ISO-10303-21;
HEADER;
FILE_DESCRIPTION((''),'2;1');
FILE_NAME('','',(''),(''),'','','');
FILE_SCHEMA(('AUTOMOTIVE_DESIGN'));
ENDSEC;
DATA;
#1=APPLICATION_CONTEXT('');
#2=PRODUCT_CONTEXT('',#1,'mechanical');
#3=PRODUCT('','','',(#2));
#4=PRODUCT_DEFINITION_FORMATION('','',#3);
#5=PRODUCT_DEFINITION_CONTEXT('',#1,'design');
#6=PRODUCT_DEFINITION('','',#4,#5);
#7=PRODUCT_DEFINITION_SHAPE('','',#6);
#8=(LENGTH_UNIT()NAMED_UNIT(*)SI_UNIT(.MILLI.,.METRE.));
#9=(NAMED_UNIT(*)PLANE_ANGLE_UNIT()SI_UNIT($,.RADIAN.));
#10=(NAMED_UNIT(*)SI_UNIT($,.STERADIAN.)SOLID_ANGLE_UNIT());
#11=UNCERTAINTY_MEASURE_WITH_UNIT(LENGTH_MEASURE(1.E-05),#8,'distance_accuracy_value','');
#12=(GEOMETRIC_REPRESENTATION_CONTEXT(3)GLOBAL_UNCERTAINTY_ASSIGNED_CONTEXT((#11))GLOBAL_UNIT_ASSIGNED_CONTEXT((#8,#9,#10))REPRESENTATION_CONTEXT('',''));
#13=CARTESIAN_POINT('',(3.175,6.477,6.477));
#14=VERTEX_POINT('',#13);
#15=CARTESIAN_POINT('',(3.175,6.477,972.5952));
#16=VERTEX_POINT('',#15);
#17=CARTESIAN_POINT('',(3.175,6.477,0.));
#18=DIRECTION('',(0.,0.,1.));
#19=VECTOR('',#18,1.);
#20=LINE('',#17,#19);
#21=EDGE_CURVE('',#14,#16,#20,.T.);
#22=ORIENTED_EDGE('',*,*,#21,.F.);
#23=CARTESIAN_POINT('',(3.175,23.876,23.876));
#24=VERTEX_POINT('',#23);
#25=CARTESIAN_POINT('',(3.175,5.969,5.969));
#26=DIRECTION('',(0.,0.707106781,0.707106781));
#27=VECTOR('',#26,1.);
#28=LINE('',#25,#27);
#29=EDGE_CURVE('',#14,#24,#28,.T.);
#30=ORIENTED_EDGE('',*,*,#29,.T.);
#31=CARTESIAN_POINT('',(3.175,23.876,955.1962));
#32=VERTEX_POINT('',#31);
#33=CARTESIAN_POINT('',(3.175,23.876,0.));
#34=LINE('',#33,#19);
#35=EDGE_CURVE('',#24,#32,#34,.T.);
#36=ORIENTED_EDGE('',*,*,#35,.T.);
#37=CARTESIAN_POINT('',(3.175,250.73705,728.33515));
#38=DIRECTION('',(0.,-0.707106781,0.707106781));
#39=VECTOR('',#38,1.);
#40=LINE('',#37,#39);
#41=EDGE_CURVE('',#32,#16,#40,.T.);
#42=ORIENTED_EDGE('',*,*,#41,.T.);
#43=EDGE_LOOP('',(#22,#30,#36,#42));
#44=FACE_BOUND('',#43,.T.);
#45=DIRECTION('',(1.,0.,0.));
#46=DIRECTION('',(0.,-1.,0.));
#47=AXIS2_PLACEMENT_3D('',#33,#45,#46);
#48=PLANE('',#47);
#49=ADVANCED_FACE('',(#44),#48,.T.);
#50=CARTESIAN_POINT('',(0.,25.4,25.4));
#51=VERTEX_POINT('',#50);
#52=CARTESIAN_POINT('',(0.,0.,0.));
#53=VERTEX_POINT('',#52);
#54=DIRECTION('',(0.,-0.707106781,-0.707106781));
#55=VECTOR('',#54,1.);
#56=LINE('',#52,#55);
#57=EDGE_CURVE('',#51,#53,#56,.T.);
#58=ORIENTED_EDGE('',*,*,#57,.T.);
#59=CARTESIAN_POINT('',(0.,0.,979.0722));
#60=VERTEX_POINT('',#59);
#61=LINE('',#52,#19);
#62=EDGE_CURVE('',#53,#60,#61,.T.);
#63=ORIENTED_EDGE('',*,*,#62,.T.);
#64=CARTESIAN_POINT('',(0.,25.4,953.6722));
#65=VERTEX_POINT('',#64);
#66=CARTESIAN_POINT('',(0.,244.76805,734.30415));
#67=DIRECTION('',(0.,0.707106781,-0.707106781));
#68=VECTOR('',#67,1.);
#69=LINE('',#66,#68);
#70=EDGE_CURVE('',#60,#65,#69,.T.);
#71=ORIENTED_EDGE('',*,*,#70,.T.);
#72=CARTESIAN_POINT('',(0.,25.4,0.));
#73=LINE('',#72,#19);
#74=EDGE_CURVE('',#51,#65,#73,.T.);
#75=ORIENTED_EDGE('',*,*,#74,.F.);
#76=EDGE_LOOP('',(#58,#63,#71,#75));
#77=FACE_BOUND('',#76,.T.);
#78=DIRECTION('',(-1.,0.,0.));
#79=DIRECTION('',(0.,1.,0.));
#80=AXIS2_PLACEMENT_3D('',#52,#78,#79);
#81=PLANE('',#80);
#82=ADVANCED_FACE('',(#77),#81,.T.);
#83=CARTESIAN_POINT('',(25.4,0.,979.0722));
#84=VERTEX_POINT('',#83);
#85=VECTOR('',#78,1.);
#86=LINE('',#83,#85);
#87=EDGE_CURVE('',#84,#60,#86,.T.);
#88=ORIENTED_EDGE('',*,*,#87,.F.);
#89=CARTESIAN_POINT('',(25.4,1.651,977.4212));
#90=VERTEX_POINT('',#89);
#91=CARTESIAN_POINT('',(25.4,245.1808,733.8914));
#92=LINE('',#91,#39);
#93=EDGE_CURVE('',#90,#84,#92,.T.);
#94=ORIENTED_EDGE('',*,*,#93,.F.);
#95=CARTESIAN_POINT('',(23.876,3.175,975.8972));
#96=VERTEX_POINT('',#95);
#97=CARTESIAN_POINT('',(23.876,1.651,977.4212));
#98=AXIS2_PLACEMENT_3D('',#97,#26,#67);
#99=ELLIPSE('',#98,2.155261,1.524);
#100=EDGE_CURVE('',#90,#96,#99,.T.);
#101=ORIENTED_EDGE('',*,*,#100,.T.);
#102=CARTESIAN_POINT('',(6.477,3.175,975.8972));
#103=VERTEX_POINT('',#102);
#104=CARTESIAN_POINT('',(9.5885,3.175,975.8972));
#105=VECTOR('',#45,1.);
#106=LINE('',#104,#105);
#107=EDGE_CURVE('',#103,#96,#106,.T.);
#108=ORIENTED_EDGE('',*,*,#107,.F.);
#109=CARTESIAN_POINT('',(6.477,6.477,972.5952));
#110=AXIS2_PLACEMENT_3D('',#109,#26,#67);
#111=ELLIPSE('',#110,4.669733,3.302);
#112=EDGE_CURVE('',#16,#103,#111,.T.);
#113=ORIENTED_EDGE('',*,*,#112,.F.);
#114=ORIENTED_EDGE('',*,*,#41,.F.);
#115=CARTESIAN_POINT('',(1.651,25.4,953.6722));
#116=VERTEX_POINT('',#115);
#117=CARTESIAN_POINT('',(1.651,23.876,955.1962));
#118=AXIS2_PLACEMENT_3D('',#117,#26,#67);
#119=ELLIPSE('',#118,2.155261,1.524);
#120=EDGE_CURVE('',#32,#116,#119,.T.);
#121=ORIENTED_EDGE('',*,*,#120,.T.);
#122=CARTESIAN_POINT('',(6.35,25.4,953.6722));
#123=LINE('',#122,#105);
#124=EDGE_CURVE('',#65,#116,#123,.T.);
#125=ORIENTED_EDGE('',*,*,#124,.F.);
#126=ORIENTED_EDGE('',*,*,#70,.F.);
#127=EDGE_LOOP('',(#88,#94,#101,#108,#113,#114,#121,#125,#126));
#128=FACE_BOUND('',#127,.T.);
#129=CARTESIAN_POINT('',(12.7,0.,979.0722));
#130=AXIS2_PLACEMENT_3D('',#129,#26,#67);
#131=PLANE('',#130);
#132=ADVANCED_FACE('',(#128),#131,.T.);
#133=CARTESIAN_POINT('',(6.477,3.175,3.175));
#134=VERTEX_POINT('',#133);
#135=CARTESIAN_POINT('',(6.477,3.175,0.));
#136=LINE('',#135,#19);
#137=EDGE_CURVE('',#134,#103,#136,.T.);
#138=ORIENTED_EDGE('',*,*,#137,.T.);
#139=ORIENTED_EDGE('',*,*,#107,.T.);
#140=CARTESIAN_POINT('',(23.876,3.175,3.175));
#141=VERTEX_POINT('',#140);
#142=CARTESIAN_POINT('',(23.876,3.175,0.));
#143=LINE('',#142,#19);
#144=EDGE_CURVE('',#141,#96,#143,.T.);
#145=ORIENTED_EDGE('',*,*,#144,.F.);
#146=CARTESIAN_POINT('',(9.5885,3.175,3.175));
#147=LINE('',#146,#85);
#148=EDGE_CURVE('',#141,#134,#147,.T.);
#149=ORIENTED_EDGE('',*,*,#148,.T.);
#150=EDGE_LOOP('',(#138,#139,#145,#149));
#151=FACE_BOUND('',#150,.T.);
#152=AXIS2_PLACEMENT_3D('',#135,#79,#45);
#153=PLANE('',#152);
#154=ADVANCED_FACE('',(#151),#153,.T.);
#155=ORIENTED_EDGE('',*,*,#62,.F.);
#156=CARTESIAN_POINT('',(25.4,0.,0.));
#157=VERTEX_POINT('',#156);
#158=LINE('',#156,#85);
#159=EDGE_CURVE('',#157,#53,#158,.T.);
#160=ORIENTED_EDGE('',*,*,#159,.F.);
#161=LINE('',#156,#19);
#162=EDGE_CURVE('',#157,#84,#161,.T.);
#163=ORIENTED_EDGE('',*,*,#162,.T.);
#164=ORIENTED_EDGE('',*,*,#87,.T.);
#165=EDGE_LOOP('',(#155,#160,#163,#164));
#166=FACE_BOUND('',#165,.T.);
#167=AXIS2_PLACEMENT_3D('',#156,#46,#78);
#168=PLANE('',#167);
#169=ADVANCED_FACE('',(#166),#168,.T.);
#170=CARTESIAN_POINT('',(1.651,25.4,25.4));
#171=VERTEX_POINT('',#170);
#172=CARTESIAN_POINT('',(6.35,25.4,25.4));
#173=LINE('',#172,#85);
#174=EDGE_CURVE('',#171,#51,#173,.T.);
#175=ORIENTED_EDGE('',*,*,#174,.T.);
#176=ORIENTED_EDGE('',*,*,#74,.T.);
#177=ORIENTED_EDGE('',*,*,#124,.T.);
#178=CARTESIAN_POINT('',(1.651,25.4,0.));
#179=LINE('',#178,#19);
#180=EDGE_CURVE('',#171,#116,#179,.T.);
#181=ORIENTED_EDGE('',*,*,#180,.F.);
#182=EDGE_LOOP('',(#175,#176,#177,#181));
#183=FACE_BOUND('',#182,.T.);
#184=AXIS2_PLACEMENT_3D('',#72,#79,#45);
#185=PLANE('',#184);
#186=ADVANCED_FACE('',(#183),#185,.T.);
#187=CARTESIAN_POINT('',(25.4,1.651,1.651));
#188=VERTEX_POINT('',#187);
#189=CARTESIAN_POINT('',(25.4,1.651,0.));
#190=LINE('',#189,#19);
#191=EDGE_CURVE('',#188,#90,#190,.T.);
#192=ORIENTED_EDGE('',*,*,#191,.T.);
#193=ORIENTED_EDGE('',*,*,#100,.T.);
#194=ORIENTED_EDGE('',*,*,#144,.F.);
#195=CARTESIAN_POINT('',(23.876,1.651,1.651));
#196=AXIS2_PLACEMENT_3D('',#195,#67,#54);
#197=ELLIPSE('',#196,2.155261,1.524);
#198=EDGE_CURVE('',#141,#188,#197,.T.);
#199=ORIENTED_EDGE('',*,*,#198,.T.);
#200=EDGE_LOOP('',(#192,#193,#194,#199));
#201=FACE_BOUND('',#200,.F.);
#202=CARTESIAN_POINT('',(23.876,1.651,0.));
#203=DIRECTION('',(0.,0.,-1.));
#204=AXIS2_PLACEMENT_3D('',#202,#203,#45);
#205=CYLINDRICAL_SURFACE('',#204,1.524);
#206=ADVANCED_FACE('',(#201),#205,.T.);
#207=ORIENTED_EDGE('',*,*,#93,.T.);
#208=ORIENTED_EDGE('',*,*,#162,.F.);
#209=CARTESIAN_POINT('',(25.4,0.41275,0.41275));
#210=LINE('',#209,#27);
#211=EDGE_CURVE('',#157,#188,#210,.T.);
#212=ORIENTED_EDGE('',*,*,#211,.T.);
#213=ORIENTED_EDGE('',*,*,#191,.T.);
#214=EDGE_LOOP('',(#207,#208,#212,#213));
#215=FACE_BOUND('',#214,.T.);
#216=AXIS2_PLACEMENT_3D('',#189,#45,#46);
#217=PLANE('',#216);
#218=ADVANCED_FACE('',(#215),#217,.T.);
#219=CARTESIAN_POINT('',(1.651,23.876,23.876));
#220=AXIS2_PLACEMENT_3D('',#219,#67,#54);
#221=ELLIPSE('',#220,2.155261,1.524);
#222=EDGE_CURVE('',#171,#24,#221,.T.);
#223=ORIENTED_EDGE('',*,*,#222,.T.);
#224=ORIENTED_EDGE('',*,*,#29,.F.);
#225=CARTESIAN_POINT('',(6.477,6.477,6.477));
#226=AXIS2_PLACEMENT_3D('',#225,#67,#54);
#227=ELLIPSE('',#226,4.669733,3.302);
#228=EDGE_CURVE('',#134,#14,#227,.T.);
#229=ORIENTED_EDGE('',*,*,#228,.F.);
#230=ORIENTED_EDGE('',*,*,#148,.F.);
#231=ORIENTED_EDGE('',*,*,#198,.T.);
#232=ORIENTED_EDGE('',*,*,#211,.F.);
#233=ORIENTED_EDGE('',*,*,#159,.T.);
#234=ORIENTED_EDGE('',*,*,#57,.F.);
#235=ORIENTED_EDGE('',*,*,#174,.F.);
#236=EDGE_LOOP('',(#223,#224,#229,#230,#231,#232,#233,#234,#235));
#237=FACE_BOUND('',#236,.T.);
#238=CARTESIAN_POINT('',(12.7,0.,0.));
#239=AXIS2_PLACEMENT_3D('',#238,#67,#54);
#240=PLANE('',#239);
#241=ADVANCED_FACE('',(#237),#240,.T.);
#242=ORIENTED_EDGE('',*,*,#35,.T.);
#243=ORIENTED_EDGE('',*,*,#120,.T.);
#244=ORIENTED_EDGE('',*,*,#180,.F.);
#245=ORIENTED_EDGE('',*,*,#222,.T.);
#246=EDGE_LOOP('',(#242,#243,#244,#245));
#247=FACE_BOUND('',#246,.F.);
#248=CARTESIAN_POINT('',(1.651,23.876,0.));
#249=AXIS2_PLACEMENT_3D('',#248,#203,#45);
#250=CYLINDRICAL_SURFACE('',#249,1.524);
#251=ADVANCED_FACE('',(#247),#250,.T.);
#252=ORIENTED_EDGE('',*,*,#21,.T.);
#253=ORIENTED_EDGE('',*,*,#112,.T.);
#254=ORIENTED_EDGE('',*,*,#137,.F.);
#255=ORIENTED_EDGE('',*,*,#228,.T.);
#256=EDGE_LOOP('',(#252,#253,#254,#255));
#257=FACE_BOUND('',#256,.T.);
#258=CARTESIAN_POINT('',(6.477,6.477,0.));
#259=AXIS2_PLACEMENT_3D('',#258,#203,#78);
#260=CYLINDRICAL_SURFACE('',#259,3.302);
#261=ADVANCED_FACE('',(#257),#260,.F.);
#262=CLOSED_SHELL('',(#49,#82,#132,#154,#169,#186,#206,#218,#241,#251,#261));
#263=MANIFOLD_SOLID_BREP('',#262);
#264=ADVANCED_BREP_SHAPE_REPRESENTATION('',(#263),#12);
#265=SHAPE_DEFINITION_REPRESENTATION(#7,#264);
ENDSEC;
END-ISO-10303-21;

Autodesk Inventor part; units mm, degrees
ref_plane "Start Plane" through (0, 0, 0) normal (0, 0, 1) x (1, 0, 0)
ref_plane "End Plane" through (0, 0, 979.0722) normal (0, 0, 1) x (1, 0, 0)
sketch "Sketch" plane through (0, 0, 0) normal (0, 0, 1) x (1, 0, 0)
  line L0 (25.4, 0) -> (0, 0)
  line L1 (0, 0) -> (0, 25.4)
  line L2 (0, 25.4) -> (1.651, 25.4)
  line L3 (3.175, 23.876) -> (3.175, 6.477)
  line L4 (6.477, 3.175) -> (23.876, 3.175)
  line L5 (25.4, 1.651) -> (25.4, 0)
  line L6 (0, -11.0414) -> (0, 31.5385) construction
  line L7 (-11.0414, 0) -> (31.5385, 0) construction
  arc A0 (3.175, 6.477) -> (6.477, 3.175) centre (6.477, 6.477) ccw
  arc A1 (3.175, 23.876) -> (1.651, 25.4) centre (1.651, 23.876) ccw
  arc A2 (25.4, 1.651) -> (23.876, 3.175) centre (23.876, 1.651) ccw
  line L8 (0, 40.0545) -> (0, -19.5574) construction
  line L9 (-19.5574, 0) -> (40.0545, 0) construction
  point P0 (3.175, 25.4)
  point P1 (3.175, 3.175)
  point P2 (25.4, 3.175)
  dimension "d0" = 25.4
  dimension "d1" = 25.4
  dimension "d2" = 3.175
  dimension "d3" = 3.175
  dimension "d10" = 0
  dimension "d11" = 0
  dimension "d14" = 3.302
  dimension "d15" = 1.524
extrude "Body" add sketch "Sketch" along normal up to surface (979.0722 mm away) from surface at 0
sketch "Sketch3" plane through (0, 0, 0) normal (0, 0, 1) x (1, 0, 0)
  line L0 (0, 0) -> (10, 0)
ref_plane "Work Plane3" through (0, 0, 0) normal (0, -1, 0) x (1, 0, 0)
ref_plane "Work Plane4" through (12.7, 0, 979.0722) normal (0, 0.7071, 0.7071) x (1, 0, 0)
split "Split1" plane through (12.7, 0, 979.0722) removes the side toward (0, 0.7071, 0.7071)
ref_plane "Work Plane5" through (12.7, 0, 0) normal (0, 0.7071, -0.7071) x (1, 0, 0)
split "Split2" plane through (12.7, 0, 0) removes the side toward (0, 0.7071, -0.7071)
sketch "Sketch4" plane through (0, 0, 0) normal (0, -1, 0) x (1, 0, 0)
  line L0 (-2, 0) -> (12, 0) projected
  line L1 (-2, 979.0722) -> (12, 979.0722) projected
  dimension "d17" = 979.0722
equation "\"d0\" = G_H"
equation "\"d1\" = G_H"
equation "\"d2\" = G_T"
equation "\"d3\" = G_T"
equation "\"d14\" = G_IR"
equation "\"d15\" = G_ER"
equation "\"d4\" = G_L"
equation "\"G_H\" = 25.4"
equation "\"G_T\" = 3.175"
equation "\"G_ER\" = 1.524"
equation "\"G_IR\" = 3.302"
equation "\"G_L\" = d17"
equation "\"ex\" = 0"
equation "\"G_OFFSET_START\" = 0"
equation "\"G_OFFSET_END\" = 0"
equation "\"d13\" = G_OFFSET_END + B_L"
equation "\"B_L\" = 979.07217"
properties part number "AISC - L 1 x 1 x 1/8 - 38.546" material "Steel, Mild"
